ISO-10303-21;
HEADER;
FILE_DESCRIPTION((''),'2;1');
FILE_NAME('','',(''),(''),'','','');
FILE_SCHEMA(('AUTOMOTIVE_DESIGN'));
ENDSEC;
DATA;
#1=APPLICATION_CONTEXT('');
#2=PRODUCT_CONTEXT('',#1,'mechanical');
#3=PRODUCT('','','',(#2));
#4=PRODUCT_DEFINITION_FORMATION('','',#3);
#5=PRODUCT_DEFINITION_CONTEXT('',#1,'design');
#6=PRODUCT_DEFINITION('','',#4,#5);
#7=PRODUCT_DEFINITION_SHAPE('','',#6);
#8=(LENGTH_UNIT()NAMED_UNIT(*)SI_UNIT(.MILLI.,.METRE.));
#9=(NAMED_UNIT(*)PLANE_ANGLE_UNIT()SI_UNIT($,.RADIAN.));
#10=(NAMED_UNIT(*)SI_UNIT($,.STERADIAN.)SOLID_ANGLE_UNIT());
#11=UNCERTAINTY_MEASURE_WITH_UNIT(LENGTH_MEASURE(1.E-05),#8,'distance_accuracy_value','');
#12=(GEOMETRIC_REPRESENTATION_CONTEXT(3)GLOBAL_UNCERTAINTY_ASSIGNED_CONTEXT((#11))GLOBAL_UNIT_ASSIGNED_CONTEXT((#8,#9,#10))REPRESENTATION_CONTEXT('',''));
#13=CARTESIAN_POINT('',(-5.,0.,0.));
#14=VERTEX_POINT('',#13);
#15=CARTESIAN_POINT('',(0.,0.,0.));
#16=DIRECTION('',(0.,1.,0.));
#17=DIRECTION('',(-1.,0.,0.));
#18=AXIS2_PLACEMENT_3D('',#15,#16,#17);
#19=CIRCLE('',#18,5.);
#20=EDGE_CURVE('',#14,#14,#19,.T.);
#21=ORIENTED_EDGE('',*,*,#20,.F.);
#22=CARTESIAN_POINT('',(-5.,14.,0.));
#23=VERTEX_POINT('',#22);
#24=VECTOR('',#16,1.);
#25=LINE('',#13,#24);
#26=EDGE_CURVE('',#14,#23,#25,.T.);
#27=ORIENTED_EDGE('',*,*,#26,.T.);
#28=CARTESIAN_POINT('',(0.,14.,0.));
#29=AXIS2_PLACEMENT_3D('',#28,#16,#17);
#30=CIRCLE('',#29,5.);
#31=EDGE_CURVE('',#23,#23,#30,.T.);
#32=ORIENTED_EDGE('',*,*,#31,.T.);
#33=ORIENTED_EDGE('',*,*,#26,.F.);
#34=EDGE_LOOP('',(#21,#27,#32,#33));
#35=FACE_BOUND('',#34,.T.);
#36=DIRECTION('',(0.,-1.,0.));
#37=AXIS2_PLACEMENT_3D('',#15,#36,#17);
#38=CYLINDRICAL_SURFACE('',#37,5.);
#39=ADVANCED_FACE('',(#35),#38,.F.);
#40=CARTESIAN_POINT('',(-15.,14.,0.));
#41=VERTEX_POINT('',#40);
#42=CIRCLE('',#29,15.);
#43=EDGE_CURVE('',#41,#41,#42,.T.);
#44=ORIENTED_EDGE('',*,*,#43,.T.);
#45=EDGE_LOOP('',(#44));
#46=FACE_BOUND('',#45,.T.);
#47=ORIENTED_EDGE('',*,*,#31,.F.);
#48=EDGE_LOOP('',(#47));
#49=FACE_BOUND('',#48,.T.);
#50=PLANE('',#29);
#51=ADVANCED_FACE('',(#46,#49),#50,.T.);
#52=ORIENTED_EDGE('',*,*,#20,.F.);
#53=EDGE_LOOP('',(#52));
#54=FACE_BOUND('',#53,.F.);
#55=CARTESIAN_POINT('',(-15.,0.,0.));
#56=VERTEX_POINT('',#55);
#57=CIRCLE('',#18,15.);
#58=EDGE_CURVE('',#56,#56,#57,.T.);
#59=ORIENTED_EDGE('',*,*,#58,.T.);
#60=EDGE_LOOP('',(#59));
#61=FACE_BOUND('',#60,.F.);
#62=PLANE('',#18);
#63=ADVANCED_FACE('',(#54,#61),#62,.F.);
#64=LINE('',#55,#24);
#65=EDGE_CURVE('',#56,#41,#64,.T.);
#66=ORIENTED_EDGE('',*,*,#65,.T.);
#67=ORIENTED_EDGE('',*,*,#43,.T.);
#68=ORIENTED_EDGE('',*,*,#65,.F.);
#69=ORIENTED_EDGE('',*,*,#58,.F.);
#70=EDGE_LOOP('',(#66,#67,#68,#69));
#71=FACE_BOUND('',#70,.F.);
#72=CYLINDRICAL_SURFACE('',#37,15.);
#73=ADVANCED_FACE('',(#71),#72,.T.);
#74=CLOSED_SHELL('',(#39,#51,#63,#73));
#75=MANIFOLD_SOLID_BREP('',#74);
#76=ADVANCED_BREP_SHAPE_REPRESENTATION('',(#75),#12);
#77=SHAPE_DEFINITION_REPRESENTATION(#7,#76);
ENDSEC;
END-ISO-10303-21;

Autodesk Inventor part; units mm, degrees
ref_plane "YZ Plane" through (0, 0, 0) normal (1, 0, 0) x (0, 1, 0)
ref_plane "XZ Plane" through (0, 0, 0) normal (0, 1, 0) x (-1, 0, 0)
ref_plane "XY Plane" through (0, 0, 0) normal (0, 0, 1) x (1, 0, 0)
sketch "Sketch1" plane through (0, 0, 0) normal (0, 1, 0) x (-1, 0, 0)
  circle A0 centre (0, 0) radius 5
  circle A1 centre (0, 0) radius 15
  dimension "d0" = 10
  dimension "d1" = 30
extrude "Extrusion1" add sketch "Sketch1" along normal blind 14
properties part number "10mm-single"
